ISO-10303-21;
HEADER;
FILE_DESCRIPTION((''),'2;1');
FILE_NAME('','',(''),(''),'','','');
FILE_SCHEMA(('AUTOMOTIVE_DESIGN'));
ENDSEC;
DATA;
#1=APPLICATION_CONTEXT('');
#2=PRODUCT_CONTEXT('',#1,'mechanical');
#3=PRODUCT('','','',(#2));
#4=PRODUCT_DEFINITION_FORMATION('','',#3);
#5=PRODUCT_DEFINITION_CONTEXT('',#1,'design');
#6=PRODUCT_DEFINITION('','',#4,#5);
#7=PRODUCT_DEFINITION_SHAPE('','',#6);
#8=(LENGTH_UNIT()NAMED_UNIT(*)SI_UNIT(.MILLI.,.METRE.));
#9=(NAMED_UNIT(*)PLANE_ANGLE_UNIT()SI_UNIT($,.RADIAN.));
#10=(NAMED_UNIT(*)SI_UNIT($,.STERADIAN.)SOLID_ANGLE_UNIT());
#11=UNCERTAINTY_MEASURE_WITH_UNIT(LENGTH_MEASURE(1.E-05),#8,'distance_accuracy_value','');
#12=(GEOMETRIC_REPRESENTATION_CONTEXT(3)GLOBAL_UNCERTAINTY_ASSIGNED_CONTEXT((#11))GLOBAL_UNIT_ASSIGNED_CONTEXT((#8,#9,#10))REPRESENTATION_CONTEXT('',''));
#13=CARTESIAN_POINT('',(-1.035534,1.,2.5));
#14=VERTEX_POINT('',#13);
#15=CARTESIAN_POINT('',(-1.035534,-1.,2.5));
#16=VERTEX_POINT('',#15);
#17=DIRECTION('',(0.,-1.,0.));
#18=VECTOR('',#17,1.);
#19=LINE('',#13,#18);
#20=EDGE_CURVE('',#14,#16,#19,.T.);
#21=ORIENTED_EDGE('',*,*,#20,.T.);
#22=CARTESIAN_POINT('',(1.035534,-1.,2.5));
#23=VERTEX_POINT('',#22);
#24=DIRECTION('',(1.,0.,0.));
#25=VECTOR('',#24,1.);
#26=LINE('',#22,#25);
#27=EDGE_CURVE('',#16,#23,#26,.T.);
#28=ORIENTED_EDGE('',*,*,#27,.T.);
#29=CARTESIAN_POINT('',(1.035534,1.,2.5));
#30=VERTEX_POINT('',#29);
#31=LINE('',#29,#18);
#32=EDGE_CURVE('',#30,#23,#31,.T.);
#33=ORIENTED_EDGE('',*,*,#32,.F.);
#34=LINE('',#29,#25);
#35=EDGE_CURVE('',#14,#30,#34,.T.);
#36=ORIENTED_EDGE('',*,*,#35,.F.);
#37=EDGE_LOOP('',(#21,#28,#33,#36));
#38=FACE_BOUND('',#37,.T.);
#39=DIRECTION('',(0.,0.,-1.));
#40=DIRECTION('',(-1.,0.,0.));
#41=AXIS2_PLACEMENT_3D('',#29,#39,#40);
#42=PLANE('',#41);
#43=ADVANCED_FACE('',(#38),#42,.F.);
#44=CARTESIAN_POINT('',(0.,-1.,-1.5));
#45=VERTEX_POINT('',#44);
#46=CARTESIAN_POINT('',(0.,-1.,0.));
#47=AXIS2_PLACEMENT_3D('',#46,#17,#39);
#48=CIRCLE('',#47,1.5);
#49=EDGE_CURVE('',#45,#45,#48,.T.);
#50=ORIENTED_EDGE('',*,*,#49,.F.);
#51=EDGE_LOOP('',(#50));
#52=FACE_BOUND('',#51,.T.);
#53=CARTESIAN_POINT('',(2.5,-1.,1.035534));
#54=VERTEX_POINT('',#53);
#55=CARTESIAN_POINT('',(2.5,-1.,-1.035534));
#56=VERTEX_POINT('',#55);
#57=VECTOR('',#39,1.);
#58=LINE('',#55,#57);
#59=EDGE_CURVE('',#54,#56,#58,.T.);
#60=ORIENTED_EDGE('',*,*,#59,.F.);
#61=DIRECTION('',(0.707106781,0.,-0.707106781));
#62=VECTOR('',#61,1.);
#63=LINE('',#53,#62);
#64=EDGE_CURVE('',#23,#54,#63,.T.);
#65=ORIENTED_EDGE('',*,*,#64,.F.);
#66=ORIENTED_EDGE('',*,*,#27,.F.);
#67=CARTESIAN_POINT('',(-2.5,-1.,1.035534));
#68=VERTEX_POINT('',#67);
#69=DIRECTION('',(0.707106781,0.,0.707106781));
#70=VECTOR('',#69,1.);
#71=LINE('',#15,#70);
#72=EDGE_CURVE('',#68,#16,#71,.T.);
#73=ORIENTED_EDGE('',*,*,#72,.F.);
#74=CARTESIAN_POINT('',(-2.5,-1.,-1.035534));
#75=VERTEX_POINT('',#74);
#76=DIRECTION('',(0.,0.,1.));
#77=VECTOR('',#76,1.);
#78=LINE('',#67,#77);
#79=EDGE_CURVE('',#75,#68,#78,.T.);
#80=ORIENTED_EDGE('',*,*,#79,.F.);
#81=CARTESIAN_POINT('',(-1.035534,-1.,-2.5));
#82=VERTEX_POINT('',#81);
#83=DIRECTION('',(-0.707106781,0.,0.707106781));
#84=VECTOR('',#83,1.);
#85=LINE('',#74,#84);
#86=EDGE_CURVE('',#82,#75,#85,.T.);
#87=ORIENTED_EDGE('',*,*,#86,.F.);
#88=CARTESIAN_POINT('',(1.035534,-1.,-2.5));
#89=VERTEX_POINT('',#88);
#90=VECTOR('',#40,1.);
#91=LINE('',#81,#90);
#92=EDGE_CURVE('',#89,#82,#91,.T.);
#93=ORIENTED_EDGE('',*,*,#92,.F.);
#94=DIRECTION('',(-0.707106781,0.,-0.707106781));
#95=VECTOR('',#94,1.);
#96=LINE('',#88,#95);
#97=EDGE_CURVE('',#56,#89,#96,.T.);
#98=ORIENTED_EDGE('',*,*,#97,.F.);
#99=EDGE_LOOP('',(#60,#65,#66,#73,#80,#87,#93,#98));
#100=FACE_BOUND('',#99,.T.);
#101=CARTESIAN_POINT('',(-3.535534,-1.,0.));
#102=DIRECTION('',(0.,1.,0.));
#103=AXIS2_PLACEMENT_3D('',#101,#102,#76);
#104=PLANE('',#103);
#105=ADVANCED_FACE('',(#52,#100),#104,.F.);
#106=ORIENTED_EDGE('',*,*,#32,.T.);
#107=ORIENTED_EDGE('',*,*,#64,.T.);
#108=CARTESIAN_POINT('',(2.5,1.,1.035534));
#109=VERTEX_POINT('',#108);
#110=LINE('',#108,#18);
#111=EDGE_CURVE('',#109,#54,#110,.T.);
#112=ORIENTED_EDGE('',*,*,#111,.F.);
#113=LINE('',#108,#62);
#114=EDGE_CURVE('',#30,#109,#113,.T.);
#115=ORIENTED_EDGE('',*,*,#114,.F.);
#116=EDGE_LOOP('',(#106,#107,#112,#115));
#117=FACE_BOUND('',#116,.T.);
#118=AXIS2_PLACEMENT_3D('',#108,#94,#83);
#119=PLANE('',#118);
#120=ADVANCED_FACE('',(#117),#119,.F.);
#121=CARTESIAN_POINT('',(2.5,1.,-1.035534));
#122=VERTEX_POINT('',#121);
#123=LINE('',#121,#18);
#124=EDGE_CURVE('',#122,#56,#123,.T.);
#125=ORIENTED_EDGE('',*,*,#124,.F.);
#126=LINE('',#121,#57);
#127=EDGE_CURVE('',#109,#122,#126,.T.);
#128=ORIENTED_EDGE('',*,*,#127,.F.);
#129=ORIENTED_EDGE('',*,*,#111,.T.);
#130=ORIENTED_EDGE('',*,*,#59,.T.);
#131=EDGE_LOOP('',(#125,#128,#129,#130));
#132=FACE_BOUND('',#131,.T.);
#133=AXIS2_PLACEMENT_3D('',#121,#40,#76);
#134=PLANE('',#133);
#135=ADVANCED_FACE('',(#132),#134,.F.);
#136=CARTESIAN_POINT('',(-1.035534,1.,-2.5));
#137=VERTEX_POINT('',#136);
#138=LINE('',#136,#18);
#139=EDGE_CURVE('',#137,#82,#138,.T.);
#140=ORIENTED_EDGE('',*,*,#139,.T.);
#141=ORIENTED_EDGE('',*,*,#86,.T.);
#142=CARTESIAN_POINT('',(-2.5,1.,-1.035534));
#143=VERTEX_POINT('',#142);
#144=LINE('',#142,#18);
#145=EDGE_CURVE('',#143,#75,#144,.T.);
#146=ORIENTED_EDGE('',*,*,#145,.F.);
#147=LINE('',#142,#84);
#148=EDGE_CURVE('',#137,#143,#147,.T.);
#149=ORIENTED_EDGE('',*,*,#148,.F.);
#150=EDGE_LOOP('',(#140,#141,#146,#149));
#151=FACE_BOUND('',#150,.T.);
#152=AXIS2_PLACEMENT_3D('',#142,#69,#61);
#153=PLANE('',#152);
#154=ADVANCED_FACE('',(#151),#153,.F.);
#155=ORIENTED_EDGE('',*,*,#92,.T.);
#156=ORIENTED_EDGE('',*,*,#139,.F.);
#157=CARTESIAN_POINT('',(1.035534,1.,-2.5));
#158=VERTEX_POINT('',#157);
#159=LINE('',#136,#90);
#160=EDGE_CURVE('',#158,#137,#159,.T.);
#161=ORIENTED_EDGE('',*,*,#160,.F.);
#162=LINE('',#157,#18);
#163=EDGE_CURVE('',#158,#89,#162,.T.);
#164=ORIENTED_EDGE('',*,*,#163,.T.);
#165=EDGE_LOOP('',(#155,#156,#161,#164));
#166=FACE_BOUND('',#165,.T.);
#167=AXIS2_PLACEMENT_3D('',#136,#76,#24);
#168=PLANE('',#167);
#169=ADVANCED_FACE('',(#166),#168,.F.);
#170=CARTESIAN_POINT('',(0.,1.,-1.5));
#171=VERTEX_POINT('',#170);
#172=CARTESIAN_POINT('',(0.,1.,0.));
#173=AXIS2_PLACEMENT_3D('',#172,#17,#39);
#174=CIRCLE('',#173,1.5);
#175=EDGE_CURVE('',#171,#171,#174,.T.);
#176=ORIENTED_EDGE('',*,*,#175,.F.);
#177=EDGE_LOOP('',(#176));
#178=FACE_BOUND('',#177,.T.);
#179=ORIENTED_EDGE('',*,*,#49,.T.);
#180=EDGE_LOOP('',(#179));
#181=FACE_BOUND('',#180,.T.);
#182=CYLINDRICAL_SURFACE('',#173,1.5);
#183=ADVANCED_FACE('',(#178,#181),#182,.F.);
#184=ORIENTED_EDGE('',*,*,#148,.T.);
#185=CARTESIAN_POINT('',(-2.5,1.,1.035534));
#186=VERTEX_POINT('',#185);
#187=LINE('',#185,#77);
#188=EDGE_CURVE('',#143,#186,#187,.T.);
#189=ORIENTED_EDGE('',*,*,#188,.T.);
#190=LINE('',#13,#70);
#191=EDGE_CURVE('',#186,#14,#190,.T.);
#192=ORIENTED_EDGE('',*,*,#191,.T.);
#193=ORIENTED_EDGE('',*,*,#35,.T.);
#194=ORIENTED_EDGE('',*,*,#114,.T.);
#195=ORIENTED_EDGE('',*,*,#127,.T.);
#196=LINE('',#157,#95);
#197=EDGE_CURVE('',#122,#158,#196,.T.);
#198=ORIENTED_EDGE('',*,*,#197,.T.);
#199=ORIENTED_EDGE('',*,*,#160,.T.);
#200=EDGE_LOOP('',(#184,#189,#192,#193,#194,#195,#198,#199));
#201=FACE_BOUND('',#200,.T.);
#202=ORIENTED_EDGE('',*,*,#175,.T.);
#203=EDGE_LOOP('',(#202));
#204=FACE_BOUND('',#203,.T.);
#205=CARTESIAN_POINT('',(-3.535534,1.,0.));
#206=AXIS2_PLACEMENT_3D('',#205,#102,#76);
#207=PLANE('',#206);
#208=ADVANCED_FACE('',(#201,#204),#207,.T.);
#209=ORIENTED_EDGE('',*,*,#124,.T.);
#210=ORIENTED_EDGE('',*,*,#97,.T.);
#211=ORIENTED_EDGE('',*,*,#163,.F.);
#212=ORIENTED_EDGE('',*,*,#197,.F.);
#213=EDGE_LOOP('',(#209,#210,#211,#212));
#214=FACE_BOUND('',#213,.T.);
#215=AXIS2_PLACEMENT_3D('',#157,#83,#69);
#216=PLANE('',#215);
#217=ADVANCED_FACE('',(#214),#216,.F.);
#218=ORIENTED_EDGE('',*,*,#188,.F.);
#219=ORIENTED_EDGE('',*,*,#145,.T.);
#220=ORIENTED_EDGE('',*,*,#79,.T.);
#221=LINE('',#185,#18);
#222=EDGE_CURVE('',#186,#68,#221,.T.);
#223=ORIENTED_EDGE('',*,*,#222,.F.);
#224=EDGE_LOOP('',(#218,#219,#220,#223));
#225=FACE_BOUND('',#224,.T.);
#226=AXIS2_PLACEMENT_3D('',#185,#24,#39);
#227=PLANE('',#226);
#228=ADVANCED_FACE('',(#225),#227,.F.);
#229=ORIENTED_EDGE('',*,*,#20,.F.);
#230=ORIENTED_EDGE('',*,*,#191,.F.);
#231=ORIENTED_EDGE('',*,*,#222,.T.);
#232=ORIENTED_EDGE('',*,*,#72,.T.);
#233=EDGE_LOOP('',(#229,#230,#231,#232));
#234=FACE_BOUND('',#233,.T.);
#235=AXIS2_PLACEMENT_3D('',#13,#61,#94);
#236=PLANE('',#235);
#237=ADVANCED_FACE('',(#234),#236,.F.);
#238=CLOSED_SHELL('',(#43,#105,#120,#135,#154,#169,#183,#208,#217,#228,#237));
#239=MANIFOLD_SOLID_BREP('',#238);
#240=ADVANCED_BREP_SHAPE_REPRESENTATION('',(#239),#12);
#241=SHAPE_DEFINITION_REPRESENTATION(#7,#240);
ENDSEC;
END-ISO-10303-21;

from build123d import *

# Parameters (mm, degrees)
EXTRUSION1_DEPTH        = 1
ESQUISSE3_R             = 1.5
ENL_V_MAT_EXTRU_1_DEPTH = 5.062019202


with BuildPart() as part:
    # Esquisse1 → Extrusion1 (new, symmetric)
    with BuildSketch(Plane(origin=(0, 0, 0), x_dir=(1, 0, 0), z_dir=(0, 1, 0))):
        Polygon((-1.035533906, 2.5), (1.035533906, 2.5), (2.5, 1.035533906), (2.5, -1.035533906), (1.035533906, -2.5), (-1.035533906, -2.5), (-2.5, -1.035533906), (-2.5, 1.035533906), align=None)
    extrude(amount=EXTRUSION1_DEPTH, both=True)

    # Esquisse3 → Enlèv. mat.-Extru.1 (cut, through all)
    with BuildSketch(Plane.XZ.offset(1)):
        with Locations(Location((0, 0, 0), (0, 0, 270))):
            Circle(ESQUISSE3_R)
    extrude(amount=-ENL_V_MAT_EXTRU_1_DEPTH, mode=Mode.SUBTRACT)


solid = part.part
